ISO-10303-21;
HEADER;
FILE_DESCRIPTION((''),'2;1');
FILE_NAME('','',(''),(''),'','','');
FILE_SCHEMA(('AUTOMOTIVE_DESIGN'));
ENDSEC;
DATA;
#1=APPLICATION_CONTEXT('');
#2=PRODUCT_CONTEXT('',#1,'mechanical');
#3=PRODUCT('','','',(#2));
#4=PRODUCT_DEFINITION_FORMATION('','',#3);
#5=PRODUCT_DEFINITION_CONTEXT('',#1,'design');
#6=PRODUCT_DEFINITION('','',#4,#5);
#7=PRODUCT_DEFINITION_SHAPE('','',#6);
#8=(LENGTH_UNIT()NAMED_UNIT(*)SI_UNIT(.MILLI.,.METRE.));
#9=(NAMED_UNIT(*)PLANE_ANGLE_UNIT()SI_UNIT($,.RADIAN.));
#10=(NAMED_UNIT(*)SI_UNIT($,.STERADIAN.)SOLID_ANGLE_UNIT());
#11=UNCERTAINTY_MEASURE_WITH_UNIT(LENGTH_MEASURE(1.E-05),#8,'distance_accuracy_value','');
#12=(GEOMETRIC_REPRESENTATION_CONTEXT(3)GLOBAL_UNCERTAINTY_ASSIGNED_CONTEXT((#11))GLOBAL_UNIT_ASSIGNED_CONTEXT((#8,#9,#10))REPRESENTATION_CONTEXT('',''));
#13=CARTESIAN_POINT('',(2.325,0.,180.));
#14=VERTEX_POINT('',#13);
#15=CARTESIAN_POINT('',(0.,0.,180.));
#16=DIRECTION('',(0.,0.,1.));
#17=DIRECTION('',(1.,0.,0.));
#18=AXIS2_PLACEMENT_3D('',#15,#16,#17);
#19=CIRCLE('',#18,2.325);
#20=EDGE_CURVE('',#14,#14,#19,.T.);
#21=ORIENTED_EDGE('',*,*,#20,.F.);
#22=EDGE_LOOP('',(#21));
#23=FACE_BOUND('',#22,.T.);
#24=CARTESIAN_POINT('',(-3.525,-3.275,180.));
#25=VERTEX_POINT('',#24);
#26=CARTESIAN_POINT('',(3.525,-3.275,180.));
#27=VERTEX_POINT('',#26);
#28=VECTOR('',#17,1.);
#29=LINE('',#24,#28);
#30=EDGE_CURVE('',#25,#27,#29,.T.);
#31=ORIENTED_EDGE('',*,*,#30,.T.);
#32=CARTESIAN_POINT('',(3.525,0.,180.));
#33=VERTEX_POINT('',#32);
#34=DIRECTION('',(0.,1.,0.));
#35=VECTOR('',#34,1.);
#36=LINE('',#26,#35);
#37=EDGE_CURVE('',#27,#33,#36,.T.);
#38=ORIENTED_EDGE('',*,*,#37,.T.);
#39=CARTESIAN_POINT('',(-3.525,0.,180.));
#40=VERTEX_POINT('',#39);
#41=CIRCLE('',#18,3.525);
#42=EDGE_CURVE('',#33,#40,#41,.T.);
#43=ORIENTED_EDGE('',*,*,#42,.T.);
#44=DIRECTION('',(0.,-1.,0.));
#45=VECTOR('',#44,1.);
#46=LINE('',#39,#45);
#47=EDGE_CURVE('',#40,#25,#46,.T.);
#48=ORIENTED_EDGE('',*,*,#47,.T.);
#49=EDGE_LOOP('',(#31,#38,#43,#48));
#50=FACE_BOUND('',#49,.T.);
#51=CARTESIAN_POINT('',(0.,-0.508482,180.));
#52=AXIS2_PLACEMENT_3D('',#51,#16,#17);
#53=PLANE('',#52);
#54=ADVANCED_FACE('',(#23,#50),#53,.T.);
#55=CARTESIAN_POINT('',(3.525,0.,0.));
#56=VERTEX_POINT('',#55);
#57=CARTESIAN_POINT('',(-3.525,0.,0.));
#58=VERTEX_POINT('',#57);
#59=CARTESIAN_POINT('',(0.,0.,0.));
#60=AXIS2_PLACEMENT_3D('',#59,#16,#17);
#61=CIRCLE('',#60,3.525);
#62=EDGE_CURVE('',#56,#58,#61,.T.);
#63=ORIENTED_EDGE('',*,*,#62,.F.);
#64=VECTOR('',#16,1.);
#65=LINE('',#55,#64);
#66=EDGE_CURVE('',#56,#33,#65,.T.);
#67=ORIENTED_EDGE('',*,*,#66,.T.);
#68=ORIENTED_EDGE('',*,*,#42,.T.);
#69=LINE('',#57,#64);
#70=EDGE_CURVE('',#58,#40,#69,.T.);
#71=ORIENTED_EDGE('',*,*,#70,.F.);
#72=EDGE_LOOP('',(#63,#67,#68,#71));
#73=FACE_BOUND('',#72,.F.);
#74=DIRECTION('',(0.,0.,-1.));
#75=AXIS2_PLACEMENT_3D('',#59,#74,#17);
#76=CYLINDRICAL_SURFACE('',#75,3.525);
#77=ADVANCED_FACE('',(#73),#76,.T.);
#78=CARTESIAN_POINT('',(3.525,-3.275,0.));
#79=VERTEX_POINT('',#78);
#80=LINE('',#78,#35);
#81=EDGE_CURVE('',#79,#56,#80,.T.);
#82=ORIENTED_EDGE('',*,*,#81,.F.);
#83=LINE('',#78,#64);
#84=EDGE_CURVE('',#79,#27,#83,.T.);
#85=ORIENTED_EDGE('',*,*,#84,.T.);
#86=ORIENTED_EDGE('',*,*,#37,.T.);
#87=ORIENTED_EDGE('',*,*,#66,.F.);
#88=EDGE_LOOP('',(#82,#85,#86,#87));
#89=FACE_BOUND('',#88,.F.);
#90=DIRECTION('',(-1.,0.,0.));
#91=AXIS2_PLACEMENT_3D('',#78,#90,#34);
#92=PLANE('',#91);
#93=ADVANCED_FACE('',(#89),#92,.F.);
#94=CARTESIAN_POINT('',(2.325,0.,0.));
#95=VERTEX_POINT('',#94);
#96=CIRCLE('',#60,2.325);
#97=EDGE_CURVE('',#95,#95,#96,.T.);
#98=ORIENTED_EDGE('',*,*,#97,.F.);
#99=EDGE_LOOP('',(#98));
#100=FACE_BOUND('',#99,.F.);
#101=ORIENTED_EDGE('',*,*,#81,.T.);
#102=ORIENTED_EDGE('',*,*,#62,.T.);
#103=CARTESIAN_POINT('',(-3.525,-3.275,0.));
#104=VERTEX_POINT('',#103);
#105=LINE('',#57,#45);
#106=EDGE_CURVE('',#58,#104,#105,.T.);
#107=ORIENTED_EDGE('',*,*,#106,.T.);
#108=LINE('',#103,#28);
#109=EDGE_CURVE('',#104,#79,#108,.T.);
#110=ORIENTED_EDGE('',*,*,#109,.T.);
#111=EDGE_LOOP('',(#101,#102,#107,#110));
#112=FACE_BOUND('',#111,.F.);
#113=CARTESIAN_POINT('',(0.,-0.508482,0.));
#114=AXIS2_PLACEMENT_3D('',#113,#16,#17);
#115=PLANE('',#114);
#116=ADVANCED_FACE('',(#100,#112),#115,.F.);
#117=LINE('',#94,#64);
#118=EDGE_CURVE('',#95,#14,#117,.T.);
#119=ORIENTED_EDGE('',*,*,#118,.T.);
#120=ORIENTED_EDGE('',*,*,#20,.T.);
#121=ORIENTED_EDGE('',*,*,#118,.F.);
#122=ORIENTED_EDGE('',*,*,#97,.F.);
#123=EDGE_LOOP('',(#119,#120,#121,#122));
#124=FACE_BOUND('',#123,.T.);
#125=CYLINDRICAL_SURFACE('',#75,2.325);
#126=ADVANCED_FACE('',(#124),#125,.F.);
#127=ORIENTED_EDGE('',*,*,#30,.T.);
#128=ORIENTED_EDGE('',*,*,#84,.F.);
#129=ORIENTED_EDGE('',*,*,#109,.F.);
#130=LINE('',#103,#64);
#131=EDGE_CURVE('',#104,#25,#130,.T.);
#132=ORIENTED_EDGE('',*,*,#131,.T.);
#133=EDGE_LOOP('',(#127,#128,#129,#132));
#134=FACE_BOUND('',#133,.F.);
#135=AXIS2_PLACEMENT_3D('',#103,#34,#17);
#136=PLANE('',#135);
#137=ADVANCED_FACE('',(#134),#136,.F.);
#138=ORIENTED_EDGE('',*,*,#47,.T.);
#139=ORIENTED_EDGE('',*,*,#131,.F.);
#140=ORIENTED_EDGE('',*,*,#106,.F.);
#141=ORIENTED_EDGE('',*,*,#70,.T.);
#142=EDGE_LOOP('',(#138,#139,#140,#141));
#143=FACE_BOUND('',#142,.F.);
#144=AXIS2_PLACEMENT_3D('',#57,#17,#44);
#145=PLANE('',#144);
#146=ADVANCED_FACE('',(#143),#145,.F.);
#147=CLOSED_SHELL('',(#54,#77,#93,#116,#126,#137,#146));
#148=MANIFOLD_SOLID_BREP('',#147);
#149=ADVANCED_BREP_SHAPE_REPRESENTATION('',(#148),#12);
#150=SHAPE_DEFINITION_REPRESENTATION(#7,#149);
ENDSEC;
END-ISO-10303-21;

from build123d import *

# Parameters (mm, degrees)
F0_R     = 2.325
F1_DEPTH = 180


with BuildPart() as f1:
    # F0 (on Top) → F1 (new body)
    with BuildSketch(Plane.XY):
        with BuildLine():
            Line((-3.525, 0), (-3.525, -3.275))
            Line((-3.525, -3.275), (3.525, -3.275))
            Line((3.525, -3.275), (3.525, 0))
            ThreePointArc((3.525, 0), (0, 3.525), (-3.525, 0))
        make_face()
        Circle(F0_R, mode=Mode.SUBTRACT)
    extrude(amount=F1_DEPTH)


solid = f1.part
